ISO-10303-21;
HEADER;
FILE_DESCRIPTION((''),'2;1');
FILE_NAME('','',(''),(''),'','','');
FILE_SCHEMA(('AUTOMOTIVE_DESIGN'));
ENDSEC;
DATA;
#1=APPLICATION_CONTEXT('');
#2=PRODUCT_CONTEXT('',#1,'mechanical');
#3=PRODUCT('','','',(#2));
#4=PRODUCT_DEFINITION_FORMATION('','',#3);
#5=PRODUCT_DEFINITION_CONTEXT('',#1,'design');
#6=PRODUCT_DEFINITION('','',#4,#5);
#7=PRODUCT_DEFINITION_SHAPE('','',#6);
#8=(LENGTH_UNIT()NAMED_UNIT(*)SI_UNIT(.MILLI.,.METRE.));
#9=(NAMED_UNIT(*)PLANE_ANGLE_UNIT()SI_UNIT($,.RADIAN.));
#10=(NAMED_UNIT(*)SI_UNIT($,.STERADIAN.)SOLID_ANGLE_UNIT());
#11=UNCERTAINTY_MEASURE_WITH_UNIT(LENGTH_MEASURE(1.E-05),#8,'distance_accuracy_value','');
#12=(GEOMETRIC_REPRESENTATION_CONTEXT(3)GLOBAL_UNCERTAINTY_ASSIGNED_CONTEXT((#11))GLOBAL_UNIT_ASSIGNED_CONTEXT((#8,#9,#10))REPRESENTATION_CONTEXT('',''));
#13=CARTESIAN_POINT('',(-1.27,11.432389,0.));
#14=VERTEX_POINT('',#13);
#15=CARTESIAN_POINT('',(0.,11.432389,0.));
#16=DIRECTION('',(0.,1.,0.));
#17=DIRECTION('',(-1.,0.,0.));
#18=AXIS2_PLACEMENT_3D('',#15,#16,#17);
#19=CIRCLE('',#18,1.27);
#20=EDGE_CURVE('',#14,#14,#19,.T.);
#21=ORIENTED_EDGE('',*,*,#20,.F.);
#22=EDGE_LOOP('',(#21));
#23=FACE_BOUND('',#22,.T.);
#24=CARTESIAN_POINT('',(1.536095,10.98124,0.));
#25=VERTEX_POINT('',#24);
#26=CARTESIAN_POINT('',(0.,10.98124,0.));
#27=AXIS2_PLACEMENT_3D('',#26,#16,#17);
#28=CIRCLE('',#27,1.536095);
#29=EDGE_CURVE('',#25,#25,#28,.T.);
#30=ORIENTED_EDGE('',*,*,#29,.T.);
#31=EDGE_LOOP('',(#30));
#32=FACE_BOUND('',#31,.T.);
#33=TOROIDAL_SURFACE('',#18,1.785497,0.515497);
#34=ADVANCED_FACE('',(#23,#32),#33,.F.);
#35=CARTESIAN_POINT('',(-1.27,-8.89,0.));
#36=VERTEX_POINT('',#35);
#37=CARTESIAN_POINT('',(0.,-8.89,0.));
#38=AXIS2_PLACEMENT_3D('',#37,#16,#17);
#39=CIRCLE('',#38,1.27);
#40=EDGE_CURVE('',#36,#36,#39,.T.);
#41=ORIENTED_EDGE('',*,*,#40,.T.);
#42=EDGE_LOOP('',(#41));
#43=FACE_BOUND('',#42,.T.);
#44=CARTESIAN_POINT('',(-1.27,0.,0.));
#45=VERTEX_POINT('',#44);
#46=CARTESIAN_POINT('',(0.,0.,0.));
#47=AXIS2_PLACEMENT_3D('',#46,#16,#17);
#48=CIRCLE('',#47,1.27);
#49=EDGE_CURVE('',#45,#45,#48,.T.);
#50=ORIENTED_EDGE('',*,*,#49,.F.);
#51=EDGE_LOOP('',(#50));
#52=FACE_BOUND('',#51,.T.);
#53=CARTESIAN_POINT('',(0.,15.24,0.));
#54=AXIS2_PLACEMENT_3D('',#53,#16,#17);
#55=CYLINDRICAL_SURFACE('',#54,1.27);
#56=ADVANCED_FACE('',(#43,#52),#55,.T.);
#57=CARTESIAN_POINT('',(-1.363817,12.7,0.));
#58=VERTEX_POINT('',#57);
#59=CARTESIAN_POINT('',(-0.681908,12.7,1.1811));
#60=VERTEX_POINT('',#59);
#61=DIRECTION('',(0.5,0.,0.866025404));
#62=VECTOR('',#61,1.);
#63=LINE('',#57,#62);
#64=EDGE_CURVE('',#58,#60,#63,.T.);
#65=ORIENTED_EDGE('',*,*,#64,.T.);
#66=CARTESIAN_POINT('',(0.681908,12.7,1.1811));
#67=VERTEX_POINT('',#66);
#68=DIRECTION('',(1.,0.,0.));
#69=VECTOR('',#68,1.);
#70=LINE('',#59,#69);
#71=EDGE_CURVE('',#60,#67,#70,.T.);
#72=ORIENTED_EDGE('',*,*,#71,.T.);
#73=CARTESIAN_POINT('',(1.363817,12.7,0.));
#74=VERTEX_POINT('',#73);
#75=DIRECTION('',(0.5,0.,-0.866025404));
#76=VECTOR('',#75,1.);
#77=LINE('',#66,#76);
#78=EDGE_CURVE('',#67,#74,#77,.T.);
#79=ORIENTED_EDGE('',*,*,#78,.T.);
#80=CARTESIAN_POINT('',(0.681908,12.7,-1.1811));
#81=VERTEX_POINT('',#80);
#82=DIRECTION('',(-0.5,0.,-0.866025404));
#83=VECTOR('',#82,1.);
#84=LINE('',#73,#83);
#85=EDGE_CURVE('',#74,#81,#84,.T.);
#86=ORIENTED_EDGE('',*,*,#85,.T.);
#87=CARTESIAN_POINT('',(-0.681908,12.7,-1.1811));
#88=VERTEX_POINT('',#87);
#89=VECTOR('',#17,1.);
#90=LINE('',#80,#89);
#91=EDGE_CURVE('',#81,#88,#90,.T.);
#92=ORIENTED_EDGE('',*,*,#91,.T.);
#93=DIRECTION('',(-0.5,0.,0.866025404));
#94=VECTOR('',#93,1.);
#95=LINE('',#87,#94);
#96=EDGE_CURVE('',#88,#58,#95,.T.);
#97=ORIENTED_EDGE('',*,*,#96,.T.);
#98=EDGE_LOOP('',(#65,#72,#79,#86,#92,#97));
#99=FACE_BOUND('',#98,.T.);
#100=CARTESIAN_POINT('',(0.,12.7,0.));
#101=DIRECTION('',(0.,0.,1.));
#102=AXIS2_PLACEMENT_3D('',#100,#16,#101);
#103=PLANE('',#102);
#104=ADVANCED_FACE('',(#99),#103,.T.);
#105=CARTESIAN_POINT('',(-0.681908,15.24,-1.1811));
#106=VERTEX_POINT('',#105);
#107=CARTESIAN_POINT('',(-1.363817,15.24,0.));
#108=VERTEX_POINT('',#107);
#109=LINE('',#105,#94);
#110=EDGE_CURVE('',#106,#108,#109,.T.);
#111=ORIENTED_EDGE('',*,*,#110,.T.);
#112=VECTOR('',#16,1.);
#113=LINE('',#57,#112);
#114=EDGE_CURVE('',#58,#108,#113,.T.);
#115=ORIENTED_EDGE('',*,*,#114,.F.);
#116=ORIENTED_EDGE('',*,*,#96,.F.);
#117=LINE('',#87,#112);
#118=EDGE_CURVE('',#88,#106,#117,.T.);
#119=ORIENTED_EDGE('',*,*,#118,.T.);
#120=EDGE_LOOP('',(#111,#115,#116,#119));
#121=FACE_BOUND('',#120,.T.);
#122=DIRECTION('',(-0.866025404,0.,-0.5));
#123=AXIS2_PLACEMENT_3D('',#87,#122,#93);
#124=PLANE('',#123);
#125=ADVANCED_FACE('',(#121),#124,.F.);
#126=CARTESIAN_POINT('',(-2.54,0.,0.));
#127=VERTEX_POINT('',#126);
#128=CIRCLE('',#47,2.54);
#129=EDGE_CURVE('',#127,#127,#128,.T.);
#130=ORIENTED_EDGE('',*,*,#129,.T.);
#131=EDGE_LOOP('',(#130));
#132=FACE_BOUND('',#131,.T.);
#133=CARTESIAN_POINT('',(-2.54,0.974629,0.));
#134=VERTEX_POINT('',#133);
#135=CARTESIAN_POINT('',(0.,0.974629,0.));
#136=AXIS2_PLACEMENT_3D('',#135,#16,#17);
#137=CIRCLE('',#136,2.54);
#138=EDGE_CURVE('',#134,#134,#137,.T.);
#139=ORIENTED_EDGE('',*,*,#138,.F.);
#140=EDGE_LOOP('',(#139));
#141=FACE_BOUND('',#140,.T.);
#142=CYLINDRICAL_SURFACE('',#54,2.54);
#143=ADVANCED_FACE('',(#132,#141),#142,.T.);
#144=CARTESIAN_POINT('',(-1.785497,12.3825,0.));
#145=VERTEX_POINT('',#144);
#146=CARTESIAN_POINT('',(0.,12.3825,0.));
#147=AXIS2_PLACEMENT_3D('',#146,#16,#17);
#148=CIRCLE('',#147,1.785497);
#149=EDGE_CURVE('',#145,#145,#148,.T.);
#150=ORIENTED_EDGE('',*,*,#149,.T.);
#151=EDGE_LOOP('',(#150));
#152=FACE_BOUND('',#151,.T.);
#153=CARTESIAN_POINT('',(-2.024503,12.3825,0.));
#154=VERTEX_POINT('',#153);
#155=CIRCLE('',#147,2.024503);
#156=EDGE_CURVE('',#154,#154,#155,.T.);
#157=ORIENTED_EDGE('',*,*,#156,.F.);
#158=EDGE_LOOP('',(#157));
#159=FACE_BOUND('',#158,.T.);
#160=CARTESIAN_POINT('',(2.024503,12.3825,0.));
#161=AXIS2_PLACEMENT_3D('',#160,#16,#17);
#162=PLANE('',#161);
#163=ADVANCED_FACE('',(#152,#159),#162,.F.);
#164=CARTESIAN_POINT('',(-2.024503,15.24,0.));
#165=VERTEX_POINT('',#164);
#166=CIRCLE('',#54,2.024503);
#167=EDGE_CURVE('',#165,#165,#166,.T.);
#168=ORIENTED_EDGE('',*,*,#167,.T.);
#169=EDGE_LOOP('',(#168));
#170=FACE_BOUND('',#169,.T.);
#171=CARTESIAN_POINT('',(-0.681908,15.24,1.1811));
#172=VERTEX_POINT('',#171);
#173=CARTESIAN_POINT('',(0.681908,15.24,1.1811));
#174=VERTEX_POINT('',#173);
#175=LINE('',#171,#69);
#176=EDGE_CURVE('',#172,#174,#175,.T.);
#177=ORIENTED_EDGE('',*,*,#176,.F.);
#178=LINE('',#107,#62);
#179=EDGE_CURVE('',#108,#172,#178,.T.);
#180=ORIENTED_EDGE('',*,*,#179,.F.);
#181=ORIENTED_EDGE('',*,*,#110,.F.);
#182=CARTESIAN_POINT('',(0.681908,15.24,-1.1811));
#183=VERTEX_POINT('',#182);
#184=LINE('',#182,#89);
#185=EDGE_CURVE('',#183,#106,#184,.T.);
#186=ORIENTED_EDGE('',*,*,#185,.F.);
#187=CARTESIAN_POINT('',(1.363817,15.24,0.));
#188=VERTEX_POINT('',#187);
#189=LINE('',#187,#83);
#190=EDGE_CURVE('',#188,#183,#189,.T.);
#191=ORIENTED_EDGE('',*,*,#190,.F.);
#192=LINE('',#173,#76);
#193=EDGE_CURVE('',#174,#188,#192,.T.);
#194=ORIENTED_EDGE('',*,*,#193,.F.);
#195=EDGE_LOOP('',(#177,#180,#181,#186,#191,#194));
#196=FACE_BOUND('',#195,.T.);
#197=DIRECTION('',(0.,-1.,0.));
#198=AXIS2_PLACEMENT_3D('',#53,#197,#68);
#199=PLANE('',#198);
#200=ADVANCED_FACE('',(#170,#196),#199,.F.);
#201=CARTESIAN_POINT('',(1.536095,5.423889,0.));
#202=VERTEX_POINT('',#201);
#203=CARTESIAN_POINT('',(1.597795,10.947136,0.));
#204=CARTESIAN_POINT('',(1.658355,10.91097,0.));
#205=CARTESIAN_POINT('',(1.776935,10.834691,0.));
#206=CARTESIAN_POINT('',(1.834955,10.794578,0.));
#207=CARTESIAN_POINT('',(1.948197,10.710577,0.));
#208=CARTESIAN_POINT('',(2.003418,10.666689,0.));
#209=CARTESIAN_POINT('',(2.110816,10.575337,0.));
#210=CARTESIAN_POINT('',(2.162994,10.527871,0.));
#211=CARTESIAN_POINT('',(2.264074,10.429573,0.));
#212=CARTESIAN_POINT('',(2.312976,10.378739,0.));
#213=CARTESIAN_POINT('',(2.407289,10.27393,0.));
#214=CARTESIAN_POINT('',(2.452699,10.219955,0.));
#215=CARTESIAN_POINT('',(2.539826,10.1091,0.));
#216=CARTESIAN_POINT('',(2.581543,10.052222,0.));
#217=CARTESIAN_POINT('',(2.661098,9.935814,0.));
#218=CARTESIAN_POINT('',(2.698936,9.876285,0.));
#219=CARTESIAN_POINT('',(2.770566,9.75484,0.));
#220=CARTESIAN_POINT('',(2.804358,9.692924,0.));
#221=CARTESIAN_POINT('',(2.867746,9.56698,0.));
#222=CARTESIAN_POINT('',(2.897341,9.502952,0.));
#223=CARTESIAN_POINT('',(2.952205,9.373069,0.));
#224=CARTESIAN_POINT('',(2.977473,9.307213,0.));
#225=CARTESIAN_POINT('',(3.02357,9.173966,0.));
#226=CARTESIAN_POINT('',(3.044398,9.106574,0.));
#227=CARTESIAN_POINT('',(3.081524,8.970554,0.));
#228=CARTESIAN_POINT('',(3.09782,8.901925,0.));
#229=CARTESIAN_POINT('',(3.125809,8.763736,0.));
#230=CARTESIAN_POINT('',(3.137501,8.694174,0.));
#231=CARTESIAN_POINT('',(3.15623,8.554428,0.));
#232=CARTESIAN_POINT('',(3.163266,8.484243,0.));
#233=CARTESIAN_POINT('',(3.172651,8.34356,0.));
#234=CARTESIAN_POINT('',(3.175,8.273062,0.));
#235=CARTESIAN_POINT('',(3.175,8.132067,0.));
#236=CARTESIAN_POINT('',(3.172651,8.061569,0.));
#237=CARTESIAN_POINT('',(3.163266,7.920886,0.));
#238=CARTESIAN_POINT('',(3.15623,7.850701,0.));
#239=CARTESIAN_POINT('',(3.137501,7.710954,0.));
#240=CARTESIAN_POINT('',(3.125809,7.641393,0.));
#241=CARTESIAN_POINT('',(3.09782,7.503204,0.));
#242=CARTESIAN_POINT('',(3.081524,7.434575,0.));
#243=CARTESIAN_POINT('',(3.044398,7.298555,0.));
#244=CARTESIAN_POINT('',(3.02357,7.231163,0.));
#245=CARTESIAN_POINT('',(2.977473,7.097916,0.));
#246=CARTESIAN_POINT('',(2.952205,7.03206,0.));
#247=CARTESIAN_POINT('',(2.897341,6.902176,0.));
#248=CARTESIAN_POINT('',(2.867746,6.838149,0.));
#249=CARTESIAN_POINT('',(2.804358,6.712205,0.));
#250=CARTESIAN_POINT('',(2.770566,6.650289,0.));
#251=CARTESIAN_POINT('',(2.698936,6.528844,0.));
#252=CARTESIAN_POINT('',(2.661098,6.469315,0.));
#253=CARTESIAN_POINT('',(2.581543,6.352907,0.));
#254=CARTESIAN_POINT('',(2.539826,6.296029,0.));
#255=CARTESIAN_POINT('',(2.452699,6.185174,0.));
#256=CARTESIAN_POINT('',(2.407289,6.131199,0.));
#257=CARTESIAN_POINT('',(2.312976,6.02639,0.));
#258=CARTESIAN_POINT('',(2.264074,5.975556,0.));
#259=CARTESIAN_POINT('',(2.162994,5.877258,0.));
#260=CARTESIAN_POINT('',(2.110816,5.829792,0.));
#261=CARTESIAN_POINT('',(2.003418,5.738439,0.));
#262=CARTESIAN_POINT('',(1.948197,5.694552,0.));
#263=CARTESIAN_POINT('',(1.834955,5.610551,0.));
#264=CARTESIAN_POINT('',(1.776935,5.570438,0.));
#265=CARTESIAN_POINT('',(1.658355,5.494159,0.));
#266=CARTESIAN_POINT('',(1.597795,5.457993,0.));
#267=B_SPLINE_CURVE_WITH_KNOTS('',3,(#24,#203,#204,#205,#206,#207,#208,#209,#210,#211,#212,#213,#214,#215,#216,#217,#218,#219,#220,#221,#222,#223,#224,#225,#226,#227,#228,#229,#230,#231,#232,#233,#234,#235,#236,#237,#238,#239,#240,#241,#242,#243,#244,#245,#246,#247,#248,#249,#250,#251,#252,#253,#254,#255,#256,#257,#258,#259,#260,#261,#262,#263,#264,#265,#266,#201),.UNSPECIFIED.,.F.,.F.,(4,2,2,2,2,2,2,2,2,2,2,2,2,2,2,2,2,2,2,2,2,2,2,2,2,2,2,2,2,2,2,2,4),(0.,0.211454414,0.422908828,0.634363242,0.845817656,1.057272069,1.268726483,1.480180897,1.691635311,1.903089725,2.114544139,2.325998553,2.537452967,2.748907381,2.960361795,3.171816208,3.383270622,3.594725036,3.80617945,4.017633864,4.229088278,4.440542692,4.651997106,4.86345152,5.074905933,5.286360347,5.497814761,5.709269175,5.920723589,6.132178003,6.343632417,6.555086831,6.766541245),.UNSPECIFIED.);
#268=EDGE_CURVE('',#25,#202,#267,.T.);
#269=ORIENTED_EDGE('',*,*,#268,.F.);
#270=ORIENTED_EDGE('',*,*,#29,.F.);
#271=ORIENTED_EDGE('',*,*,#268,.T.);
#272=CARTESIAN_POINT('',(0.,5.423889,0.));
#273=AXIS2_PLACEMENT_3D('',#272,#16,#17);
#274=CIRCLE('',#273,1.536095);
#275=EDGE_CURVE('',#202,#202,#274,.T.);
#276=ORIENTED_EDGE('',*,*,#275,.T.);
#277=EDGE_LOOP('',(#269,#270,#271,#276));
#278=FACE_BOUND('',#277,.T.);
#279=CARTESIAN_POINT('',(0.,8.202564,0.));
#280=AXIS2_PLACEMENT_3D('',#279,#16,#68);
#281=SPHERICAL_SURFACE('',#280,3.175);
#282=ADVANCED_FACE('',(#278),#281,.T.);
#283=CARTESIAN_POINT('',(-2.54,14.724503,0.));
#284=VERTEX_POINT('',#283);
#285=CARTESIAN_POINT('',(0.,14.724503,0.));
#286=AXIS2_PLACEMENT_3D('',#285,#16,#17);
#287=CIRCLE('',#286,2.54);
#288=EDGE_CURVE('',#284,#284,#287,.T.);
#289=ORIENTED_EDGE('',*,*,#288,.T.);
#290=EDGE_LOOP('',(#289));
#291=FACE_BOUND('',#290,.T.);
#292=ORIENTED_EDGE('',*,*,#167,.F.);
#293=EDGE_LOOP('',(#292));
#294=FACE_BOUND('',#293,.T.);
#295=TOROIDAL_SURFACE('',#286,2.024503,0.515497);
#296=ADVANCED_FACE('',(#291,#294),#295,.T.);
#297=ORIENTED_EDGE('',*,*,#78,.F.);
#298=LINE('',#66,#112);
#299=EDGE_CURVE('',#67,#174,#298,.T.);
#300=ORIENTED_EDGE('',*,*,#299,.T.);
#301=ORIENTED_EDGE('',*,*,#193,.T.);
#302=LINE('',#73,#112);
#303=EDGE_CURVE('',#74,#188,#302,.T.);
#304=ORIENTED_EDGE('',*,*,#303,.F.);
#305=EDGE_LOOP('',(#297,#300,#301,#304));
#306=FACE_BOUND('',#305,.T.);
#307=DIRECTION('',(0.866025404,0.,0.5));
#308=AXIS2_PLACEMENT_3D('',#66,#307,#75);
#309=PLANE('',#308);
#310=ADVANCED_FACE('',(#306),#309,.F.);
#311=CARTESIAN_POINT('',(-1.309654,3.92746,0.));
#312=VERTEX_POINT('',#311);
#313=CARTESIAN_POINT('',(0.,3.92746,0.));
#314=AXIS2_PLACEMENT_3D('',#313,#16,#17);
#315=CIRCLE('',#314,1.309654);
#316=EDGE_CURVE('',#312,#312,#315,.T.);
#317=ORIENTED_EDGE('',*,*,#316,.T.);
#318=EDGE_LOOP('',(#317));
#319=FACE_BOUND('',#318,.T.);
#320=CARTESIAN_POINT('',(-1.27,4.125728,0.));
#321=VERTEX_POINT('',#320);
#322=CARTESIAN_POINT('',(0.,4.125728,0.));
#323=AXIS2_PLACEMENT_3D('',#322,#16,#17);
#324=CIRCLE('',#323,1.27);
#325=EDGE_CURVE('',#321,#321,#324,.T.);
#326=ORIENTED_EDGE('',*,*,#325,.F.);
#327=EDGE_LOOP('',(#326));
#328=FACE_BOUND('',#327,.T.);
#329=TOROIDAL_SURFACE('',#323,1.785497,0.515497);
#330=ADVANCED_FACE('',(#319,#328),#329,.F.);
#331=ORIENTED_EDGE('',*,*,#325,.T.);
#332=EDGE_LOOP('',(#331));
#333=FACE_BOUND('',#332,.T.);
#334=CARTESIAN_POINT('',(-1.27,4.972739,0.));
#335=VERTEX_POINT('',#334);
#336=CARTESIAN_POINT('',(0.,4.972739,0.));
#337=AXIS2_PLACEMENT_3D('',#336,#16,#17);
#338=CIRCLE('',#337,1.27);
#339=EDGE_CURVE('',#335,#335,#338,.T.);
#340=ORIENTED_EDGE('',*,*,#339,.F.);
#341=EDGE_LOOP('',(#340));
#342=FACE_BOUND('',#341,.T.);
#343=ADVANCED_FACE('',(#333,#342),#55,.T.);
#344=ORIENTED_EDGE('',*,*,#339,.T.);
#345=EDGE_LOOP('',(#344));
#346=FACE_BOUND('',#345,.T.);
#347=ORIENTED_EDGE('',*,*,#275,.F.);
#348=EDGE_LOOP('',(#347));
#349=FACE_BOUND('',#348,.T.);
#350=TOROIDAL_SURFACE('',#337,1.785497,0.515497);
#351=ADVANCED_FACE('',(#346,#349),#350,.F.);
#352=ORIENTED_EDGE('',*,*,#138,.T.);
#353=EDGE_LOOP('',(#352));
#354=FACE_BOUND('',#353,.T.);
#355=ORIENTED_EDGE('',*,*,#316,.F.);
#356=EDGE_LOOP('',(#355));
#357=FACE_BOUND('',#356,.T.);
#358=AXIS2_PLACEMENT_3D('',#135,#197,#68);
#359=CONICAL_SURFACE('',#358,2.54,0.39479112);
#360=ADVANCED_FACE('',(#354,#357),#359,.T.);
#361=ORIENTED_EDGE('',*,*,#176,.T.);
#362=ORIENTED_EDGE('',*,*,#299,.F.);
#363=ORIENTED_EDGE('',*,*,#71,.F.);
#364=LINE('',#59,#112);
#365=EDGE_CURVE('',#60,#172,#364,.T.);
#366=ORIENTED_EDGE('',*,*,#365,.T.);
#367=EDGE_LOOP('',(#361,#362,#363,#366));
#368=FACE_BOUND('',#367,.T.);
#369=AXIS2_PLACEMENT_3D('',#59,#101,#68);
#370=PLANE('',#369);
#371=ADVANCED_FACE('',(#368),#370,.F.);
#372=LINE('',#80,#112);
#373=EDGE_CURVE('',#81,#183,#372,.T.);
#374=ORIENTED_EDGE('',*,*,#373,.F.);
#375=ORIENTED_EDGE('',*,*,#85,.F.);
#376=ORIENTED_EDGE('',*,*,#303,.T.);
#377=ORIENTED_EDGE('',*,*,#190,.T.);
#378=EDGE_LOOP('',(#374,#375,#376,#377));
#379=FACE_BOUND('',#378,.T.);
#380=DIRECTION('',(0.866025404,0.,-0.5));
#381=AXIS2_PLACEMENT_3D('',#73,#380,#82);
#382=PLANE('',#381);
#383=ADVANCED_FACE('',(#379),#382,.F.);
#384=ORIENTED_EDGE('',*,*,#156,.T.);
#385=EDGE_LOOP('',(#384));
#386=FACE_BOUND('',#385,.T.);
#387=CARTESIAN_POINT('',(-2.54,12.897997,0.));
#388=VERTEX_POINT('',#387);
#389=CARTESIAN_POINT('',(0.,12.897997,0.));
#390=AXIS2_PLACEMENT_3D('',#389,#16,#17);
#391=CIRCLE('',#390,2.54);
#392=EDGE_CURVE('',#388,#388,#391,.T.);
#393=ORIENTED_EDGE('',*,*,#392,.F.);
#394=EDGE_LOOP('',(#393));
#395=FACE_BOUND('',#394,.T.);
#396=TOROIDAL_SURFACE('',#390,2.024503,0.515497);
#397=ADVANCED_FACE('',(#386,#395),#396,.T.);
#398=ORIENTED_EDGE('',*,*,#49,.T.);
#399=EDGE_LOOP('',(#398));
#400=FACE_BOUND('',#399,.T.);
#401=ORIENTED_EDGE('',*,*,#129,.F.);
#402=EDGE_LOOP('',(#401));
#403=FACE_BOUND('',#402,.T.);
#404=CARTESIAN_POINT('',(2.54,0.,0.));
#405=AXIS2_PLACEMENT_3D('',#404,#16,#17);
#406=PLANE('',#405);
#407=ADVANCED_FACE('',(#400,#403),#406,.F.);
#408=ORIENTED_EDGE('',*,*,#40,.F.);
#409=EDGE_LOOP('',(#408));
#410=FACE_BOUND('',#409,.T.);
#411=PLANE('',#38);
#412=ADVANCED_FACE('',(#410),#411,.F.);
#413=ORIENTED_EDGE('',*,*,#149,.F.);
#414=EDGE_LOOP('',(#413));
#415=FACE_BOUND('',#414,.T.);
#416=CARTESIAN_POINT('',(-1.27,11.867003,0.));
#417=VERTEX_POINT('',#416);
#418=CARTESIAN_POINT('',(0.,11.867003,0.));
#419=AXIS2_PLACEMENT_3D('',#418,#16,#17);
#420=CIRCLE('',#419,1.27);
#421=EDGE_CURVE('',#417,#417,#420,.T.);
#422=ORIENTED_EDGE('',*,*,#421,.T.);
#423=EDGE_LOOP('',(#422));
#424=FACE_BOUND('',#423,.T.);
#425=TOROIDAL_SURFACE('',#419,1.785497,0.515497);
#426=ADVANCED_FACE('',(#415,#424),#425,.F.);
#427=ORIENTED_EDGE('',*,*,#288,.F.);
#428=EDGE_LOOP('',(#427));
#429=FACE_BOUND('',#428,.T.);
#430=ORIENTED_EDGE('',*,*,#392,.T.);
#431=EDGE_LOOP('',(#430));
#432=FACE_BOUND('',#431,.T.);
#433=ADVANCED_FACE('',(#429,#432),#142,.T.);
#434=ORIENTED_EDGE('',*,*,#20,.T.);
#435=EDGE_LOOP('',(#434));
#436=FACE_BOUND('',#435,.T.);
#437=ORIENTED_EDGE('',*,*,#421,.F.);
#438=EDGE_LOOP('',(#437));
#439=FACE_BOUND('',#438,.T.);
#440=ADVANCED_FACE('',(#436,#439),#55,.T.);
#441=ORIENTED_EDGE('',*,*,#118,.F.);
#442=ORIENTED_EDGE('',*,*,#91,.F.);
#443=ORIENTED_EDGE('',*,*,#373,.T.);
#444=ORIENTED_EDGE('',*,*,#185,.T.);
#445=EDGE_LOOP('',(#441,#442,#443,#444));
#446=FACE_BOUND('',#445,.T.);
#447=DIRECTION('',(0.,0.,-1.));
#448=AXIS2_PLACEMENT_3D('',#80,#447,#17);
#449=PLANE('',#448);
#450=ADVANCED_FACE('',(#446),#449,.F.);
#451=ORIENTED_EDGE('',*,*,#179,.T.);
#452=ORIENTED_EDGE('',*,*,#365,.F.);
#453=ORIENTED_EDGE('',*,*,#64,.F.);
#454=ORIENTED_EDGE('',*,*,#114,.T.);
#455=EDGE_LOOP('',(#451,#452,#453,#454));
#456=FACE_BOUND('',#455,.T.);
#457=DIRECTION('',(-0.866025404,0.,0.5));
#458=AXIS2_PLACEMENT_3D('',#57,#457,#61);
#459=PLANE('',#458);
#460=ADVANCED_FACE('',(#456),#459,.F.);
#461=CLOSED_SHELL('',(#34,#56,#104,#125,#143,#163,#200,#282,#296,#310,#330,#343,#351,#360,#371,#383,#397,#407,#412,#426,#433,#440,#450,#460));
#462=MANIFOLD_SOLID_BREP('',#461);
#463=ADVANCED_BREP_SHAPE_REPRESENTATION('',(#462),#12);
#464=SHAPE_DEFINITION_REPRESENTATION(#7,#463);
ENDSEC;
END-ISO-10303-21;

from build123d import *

# Parameters (mm, degrees)
CUT_EXTRUDE2_DEPTH = 2.54


with BuildPart() as part:
    # Sketch1 → Revolve1 (revolve)
    with BuildSketch(Plane.XY, mode=Mode.PRIVATE) as revolve1_sk:
        with BuildLine():
            Line((0, 15.24), (0, -8.89))
            Line((0, -8.89), (1.27, -8.89))
            Line((1.27, -8.89), (1.27, 0))
            Line((1.27, 0), (2.54, 0))
            Line((2.54, 0), (2.54, 0.974628867))
            Line((2.54, 0.974628867), (1.309653639, 3.927460134))
            ThreePointArc((1.309653639, 3.927460134), (1.280010609, 4.024630989), (1.27, 4.125728328))
            Line((1.27, 4.125728328), (1.27, 4.972739402))
            ThreePointArc((1.27, 4.972739402), (1.341479423, 5.234627913), (1.536094861, 5.423888926))
            ThreePointArc((1.536094861, 5.423888926), (3.175, 8.202564434), (1.536094861, 10.981239942))
            ThreePointArc((1.536094861, 10.981239942), (1.341479423, 11.170500955), (1.27, 11.432389465))
            Line((1.27, 11.432389465), (1.27, 11.867002695))
            ThreePointArc((1.27, 11.867002695), (1.420985665, 12.231514335), (1.785497305, 12.3825))
            Line((1.785497305, 12.3825), (2.024502695, 12.3825))
            ThreePointArc((2.024502695, 12.3825), (2.389014335, 12.533485665), (2.54, 12.897997305))
            Line((2.54, 12.897997305), (2.54, 14.724502695))
            ThreePointArc((2.54, 14.724502695), (2.389014335, 15.089014335), (2.024502695, 15.24))
            Line((2.024502695, 15.24), (0, 15.24))
        make_face()
    revolve(revolve1_sk.sketch.rotate(Axis((0, 15.24, 0), (0, -1, 0)), 180), axis=Axis((0, 15.24, 0), (0, -1, 0)))

    # Sketch2 → Cut-Extrude2 (cut)
    with BuildSketch(Plane(origin=(0, 15.24, 0), x_dir=(1, 0, 0), z_dir=(0, 1, 0))):
        Polygon((-1.363816806, 0), (-0.681908403, -1.1811), (0.681908403, -1.1811), (1.363816806, 0), (0.681908403, 1.1811), (-0.681908403, 1.1811), align=None)
    extrude(amount=-CUT_EXTRUDE2_DEPTH, mode=Mode.SUBTRACT)


solid = part.part
